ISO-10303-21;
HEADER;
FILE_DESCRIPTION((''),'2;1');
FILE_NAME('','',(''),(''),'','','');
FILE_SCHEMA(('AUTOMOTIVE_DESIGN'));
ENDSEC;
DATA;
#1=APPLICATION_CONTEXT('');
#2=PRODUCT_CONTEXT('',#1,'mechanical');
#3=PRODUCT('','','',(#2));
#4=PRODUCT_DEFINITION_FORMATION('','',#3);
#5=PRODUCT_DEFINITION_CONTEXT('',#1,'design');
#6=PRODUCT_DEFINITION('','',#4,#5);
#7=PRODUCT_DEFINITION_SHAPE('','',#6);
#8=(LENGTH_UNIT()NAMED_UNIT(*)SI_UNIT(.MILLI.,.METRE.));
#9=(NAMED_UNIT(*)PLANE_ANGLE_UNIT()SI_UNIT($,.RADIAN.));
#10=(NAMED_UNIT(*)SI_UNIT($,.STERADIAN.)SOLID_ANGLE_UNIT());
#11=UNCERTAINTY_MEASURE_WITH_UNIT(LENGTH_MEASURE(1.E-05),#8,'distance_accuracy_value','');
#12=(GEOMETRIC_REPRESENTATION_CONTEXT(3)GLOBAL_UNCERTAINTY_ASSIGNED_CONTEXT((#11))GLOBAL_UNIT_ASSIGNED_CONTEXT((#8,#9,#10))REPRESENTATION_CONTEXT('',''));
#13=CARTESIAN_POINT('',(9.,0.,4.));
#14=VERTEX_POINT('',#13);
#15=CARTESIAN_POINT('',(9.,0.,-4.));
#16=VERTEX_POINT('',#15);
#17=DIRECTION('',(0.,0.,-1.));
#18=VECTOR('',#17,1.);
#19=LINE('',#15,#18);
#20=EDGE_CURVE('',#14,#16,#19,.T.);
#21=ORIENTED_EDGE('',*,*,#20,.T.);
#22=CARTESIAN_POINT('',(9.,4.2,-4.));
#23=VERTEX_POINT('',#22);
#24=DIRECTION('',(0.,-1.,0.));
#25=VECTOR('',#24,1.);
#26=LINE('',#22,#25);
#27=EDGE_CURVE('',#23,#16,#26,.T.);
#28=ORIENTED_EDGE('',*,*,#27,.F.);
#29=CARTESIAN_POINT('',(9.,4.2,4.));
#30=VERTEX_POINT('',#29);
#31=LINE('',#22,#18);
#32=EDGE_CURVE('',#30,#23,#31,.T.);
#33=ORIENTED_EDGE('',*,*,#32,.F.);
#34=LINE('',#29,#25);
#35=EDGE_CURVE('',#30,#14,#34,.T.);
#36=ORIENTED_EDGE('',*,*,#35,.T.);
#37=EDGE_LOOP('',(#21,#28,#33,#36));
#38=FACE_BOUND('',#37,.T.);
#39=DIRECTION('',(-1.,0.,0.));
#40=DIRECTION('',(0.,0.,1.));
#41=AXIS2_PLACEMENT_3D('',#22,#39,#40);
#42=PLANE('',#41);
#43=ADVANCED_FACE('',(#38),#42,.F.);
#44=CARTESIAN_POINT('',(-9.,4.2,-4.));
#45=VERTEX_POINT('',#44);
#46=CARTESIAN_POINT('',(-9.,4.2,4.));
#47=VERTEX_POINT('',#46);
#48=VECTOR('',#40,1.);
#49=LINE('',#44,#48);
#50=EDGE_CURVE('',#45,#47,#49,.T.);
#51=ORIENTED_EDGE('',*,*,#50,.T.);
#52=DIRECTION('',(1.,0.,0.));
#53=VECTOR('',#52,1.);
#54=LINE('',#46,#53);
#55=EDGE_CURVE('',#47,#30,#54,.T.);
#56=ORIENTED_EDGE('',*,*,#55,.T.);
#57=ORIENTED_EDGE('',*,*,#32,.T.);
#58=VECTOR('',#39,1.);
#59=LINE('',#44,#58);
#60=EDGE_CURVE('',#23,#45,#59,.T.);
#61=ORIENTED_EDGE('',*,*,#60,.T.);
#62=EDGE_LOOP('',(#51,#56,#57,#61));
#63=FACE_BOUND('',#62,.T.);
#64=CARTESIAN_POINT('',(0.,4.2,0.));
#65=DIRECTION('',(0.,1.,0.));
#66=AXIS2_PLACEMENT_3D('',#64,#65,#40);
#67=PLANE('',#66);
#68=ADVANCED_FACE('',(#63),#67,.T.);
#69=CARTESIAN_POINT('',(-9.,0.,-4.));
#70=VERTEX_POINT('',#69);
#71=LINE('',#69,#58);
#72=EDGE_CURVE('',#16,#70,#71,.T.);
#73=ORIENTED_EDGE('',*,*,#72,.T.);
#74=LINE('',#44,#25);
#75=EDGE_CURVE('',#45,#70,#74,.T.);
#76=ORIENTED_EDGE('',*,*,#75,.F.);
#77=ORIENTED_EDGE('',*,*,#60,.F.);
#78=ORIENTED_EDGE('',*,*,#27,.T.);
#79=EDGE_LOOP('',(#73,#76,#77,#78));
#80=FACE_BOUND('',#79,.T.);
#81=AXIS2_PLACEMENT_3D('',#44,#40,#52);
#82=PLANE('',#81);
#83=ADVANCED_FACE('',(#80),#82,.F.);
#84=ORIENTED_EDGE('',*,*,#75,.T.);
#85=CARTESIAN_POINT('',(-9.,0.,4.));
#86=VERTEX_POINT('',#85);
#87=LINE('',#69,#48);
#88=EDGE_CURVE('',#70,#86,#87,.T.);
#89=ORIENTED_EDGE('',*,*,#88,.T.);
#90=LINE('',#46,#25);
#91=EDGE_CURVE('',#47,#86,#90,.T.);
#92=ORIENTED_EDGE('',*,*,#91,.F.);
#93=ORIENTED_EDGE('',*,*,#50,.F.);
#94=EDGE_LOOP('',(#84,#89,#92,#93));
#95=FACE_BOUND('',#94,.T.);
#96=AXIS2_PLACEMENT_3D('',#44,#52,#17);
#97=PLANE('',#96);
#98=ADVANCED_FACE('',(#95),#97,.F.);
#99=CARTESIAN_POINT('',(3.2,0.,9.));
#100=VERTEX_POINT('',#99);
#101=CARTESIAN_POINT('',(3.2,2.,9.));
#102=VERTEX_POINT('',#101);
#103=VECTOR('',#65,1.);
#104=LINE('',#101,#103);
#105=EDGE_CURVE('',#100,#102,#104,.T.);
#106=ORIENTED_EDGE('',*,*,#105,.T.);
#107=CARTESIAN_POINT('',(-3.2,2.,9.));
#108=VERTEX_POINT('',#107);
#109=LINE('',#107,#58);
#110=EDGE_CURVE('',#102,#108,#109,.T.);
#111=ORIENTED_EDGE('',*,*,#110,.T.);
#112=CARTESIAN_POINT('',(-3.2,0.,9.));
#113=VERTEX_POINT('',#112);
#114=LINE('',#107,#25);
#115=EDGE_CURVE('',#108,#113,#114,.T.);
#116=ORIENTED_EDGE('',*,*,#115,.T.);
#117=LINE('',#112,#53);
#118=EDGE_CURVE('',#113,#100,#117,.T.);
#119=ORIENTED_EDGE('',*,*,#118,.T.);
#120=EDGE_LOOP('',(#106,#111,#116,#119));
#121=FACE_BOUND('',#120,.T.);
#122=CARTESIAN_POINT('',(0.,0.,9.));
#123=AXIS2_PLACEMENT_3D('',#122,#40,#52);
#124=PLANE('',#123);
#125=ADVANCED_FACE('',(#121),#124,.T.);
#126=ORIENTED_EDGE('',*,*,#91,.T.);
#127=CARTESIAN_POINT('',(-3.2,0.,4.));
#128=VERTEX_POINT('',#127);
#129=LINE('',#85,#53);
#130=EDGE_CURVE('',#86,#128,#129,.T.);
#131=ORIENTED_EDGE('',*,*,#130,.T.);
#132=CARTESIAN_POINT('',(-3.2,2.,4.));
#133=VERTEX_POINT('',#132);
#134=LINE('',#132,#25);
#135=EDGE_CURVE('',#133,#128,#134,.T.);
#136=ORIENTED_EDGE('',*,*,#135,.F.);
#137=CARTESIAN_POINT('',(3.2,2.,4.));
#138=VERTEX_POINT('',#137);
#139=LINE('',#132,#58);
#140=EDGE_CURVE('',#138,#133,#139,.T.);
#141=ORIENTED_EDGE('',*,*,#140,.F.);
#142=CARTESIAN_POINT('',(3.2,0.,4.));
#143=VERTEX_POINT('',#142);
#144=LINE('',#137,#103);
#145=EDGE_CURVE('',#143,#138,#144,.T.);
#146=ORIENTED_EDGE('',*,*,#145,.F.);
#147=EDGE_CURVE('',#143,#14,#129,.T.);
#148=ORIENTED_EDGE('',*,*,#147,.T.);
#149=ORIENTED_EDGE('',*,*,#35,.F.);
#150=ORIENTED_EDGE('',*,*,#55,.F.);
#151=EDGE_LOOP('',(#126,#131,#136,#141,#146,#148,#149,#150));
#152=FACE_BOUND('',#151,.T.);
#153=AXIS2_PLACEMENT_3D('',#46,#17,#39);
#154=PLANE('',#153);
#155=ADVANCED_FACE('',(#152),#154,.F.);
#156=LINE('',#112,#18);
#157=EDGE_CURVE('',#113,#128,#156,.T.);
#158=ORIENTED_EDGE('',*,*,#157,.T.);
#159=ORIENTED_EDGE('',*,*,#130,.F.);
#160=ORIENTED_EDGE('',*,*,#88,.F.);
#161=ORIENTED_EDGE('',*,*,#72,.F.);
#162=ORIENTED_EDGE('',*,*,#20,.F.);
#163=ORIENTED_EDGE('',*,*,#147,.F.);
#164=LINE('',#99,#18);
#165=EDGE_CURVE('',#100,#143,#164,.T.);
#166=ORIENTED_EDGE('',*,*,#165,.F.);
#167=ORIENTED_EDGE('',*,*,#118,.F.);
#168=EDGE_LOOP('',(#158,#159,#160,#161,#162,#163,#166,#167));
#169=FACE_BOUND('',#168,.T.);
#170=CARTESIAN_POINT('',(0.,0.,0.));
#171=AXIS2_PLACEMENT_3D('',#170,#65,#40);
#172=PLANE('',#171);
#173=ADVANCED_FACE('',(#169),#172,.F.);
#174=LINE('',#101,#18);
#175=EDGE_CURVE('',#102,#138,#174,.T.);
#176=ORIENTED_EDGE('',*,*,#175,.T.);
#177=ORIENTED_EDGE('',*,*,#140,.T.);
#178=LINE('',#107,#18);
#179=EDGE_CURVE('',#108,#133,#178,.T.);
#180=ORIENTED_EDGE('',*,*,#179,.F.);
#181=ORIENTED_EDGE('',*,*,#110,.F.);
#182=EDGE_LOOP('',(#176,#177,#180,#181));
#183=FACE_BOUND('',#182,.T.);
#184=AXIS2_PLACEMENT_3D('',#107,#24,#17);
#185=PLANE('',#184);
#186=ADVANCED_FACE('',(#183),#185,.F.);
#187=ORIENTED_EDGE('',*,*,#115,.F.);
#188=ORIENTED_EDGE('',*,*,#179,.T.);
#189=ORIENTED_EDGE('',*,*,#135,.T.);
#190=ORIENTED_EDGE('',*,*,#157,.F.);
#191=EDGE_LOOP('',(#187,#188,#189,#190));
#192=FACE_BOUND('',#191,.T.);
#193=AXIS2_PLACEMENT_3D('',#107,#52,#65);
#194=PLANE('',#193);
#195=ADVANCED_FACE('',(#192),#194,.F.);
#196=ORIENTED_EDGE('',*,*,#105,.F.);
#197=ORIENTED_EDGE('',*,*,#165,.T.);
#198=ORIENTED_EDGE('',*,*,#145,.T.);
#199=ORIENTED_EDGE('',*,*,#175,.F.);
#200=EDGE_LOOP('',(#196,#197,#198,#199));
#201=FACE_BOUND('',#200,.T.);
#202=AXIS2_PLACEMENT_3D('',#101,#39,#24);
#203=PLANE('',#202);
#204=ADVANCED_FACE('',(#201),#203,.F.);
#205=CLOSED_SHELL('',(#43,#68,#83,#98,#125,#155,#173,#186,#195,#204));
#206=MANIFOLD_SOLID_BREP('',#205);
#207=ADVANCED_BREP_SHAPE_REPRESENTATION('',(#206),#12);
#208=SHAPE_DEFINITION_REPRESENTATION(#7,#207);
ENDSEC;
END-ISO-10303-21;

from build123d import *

# Parameters (mm, degrees)
ESQUISSE1_W        = 18
ESQUISSE1_H        = 8
BOSS_EXTRU_1_DEPTH = 4.2
ESQUISSE2_W        = 6.4
ESQUISSE2_H        = 2
BOSS_EXTRU_2_DEPTH = 5


with BuildPart() as part:
    # Esquisse1 → Boss.-Extru.1 (new body)
    with BuildSketch(Plane(origin=(0, 0, 0), x_dir=(1, 0, 0), z_dir=(0, 1, 0))):
        Rectangle(ESQUISSE1_W, ESQUISSE1_H)
    extrude(amount=BOSS_EXTRU_1_DEPTH)

    # Esquisse2 → Boss.-Extru.2 (add)
    with BuildSketch(Plane.XY.offset(4)):
        with Locations((0, 1)):
            Rectangle(ESQUISSE2_W, ESQUISSE2_H)
    extrude(amount=BOSS_EXTRU_2_DEPTH)


solid = part.part
